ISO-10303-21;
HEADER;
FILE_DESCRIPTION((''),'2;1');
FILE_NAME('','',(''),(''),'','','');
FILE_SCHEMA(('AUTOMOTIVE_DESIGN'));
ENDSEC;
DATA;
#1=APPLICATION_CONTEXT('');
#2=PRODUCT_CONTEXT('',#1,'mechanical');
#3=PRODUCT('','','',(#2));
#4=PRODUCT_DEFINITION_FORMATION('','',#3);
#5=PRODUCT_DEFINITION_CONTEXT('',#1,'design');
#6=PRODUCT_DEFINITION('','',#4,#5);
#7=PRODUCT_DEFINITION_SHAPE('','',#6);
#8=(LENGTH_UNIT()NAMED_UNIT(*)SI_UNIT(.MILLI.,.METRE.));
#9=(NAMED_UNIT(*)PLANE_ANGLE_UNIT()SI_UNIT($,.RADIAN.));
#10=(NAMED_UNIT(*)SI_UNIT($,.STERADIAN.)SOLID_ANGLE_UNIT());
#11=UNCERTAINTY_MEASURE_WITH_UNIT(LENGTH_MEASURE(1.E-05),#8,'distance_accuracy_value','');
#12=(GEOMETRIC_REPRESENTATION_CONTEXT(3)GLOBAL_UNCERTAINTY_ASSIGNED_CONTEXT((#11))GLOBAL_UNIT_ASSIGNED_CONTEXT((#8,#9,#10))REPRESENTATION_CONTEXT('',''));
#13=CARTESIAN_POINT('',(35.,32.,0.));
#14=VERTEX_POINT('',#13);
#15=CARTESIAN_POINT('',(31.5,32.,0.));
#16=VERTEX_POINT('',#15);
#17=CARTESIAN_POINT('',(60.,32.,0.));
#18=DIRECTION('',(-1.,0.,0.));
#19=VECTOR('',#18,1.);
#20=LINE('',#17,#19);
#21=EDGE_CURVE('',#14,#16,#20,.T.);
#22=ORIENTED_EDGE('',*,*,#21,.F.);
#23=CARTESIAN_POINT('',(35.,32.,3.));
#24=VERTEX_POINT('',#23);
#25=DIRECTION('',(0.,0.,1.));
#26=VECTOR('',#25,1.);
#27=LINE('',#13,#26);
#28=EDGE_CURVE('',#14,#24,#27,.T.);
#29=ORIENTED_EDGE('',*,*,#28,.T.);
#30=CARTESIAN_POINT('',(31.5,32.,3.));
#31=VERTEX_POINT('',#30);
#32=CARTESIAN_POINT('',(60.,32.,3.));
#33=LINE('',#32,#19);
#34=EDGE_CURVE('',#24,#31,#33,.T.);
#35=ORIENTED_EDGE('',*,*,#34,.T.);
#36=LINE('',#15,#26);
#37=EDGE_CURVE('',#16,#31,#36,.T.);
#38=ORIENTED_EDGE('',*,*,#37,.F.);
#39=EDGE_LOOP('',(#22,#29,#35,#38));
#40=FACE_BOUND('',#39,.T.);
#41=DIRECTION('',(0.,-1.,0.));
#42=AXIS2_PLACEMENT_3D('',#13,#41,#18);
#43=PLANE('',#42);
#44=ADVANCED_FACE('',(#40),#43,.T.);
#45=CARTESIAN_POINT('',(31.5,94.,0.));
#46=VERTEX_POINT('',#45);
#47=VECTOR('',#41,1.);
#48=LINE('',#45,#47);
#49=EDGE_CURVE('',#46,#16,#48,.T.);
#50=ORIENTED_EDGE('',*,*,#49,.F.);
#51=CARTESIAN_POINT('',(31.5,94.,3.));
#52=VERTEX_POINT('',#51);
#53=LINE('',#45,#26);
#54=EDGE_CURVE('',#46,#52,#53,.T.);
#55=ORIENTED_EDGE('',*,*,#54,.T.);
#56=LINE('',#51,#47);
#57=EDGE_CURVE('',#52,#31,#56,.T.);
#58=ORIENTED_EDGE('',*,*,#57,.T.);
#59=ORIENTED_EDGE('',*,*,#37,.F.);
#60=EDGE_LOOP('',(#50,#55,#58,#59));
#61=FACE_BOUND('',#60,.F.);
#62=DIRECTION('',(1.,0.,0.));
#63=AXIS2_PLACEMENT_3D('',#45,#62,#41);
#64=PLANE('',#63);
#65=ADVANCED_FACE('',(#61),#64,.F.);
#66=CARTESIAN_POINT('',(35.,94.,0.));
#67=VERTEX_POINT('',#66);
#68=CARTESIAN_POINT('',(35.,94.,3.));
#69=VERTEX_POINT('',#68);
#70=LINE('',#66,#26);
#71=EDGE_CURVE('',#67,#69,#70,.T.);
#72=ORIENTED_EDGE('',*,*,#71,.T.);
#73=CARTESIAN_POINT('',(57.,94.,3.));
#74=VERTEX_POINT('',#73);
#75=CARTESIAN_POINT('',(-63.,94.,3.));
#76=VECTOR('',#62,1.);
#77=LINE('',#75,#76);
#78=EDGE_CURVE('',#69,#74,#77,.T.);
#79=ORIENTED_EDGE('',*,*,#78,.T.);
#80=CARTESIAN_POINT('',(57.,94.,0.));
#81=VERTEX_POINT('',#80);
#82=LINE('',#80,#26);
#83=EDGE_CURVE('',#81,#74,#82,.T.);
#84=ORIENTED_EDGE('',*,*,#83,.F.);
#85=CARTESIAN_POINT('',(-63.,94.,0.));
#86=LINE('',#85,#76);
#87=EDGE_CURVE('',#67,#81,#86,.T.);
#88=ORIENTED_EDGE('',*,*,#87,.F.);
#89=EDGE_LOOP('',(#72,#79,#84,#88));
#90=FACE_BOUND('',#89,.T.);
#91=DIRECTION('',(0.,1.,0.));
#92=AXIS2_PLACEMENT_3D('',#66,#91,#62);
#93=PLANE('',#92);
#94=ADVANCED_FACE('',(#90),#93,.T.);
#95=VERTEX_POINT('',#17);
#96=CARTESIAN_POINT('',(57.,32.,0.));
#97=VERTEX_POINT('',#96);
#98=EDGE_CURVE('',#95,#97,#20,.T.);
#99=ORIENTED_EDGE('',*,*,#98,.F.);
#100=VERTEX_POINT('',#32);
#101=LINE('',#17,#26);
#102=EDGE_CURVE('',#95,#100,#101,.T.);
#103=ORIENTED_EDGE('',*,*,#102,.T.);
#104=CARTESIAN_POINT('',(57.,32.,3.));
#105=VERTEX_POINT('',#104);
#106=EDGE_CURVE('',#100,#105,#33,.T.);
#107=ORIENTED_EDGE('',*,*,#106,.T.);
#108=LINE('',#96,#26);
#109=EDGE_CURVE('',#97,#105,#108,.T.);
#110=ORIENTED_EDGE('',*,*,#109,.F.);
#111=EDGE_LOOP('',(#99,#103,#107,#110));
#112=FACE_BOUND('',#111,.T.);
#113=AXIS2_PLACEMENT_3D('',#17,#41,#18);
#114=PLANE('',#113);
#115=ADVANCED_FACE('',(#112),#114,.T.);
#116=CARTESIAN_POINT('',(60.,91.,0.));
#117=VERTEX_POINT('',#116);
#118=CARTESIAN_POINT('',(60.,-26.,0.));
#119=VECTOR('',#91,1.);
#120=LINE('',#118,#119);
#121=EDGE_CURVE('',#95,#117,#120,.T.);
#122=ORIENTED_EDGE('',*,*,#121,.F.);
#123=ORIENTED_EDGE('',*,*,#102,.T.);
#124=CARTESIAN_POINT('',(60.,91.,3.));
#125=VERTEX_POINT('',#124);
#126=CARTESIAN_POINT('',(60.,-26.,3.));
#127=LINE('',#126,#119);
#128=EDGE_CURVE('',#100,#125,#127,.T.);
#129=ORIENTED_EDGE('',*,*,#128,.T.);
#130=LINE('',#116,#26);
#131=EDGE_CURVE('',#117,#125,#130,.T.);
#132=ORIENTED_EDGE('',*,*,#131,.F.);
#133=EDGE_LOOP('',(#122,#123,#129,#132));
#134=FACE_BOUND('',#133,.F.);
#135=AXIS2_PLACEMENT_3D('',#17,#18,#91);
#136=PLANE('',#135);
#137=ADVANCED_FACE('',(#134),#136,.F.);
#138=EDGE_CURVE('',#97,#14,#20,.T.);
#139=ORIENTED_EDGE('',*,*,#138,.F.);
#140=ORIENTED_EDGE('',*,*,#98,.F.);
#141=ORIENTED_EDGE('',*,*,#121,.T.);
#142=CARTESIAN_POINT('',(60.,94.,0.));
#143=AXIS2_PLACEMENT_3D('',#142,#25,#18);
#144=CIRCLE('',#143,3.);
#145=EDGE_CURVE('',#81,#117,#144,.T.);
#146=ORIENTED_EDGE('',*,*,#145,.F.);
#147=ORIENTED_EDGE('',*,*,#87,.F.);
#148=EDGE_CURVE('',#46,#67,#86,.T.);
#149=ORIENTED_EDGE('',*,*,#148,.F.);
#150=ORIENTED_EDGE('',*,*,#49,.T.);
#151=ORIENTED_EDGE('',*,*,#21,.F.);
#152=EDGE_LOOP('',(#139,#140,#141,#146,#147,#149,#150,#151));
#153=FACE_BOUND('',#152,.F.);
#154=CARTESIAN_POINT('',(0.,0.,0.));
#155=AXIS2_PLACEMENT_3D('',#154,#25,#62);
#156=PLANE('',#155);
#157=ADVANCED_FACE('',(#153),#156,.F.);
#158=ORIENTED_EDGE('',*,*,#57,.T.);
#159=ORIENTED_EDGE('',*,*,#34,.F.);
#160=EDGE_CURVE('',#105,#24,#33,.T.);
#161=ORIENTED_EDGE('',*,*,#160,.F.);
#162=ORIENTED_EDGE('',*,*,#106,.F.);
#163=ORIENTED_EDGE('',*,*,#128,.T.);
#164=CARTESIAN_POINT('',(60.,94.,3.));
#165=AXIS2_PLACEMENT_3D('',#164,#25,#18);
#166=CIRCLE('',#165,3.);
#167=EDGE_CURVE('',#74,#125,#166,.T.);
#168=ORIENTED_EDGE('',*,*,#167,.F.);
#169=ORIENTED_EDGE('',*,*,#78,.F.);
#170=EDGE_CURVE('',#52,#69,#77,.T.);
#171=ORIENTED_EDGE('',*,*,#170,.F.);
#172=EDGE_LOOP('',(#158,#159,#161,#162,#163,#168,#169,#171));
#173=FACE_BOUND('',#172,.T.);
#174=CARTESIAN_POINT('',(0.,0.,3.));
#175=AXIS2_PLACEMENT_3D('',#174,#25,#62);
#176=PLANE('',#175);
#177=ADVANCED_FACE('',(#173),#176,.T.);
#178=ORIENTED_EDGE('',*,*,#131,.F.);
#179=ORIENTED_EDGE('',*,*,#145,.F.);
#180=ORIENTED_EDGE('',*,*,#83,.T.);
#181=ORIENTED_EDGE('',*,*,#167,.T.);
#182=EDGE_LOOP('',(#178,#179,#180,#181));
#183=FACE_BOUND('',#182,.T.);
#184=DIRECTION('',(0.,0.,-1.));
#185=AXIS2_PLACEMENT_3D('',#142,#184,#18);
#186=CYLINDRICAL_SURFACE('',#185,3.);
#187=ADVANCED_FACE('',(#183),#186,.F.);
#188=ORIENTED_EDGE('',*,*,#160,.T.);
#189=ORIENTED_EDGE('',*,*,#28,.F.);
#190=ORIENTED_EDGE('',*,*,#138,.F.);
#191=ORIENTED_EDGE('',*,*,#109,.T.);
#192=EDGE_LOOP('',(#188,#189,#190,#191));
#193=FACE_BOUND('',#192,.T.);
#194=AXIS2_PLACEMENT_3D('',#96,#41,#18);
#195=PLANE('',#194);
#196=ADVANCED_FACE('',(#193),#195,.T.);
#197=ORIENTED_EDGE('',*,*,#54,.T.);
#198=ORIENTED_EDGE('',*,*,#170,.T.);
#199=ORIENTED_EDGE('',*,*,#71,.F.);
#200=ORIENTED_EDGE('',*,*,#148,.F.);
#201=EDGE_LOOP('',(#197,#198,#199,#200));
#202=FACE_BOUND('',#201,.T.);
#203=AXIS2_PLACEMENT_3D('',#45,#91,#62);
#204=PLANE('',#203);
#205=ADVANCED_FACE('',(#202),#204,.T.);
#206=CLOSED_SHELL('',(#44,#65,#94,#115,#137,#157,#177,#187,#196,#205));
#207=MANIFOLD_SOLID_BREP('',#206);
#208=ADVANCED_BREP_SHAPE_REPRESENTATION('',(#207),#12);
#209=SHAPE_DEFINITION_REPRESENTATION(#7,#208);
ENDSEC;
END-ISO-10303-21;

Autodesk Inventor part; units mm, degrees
ref_plane "YZ Plane" through (0, 0, 0) normal (1, 0, 0) x (0, 1, 0)
ref_plane "XZ Plane" through (0, 0, 0) normal (0, 1, 0) x (-1, 0, 0)
ref_plane "XY Plane" through (0, 0, 0) normal (0, 0, 1) x (1, 0, 0)
sketch "Sketch1" plane through (0, 0, 0) normal (0, 0, 1) x (1, 0, 0)
  line L0 (60, 32) -> (-60, 32) projected
  line L1 (31.5, 94) -> (31.5, 32) projected
  line L2 (60, -26) -> (60, 94) projected
  line L3 (-63, 94) -> (63, 94) projected
  line L4 (31.5, 94) -> (60, 94)
  line L5 (60, 94) -> (60, 32)
  line L6 (60, 32) -> (31.5, 32)
  line L7 (31.5, 32) -> (31.5, 94)
  line L8 (57, 97) -> (57, 94) projected
  line L9 (57, 97) -> (35, 97)
  line L10 (35, 97) -> (35, 94)
  line L11 (35, 32) -> (35, 29)
  line L12 (35, 29) -> (57, 29)
  line L13 (57, 29) -> (57, 32)
  arc A0 (57, 94) -> (60, 91) centre (60, 94) ccw
  line L14 (57, 94) -> (60, 91) construction
  line L15 (57, 94) -> (61.2426, 94) construction
  point P0 (0, 0)
  point P1 (60, 91)
  point P2 (31.5, 94)
  dimension "d0" = 22
  dimension "d1" = 3
  dimension "d2" = 45
  dimension "d3" = 3
extrude "Extrusion1" add sketch "Sketch1" along normal blind 3 contours L0 L1 L3 A0 L2
properties part number "shelf"
